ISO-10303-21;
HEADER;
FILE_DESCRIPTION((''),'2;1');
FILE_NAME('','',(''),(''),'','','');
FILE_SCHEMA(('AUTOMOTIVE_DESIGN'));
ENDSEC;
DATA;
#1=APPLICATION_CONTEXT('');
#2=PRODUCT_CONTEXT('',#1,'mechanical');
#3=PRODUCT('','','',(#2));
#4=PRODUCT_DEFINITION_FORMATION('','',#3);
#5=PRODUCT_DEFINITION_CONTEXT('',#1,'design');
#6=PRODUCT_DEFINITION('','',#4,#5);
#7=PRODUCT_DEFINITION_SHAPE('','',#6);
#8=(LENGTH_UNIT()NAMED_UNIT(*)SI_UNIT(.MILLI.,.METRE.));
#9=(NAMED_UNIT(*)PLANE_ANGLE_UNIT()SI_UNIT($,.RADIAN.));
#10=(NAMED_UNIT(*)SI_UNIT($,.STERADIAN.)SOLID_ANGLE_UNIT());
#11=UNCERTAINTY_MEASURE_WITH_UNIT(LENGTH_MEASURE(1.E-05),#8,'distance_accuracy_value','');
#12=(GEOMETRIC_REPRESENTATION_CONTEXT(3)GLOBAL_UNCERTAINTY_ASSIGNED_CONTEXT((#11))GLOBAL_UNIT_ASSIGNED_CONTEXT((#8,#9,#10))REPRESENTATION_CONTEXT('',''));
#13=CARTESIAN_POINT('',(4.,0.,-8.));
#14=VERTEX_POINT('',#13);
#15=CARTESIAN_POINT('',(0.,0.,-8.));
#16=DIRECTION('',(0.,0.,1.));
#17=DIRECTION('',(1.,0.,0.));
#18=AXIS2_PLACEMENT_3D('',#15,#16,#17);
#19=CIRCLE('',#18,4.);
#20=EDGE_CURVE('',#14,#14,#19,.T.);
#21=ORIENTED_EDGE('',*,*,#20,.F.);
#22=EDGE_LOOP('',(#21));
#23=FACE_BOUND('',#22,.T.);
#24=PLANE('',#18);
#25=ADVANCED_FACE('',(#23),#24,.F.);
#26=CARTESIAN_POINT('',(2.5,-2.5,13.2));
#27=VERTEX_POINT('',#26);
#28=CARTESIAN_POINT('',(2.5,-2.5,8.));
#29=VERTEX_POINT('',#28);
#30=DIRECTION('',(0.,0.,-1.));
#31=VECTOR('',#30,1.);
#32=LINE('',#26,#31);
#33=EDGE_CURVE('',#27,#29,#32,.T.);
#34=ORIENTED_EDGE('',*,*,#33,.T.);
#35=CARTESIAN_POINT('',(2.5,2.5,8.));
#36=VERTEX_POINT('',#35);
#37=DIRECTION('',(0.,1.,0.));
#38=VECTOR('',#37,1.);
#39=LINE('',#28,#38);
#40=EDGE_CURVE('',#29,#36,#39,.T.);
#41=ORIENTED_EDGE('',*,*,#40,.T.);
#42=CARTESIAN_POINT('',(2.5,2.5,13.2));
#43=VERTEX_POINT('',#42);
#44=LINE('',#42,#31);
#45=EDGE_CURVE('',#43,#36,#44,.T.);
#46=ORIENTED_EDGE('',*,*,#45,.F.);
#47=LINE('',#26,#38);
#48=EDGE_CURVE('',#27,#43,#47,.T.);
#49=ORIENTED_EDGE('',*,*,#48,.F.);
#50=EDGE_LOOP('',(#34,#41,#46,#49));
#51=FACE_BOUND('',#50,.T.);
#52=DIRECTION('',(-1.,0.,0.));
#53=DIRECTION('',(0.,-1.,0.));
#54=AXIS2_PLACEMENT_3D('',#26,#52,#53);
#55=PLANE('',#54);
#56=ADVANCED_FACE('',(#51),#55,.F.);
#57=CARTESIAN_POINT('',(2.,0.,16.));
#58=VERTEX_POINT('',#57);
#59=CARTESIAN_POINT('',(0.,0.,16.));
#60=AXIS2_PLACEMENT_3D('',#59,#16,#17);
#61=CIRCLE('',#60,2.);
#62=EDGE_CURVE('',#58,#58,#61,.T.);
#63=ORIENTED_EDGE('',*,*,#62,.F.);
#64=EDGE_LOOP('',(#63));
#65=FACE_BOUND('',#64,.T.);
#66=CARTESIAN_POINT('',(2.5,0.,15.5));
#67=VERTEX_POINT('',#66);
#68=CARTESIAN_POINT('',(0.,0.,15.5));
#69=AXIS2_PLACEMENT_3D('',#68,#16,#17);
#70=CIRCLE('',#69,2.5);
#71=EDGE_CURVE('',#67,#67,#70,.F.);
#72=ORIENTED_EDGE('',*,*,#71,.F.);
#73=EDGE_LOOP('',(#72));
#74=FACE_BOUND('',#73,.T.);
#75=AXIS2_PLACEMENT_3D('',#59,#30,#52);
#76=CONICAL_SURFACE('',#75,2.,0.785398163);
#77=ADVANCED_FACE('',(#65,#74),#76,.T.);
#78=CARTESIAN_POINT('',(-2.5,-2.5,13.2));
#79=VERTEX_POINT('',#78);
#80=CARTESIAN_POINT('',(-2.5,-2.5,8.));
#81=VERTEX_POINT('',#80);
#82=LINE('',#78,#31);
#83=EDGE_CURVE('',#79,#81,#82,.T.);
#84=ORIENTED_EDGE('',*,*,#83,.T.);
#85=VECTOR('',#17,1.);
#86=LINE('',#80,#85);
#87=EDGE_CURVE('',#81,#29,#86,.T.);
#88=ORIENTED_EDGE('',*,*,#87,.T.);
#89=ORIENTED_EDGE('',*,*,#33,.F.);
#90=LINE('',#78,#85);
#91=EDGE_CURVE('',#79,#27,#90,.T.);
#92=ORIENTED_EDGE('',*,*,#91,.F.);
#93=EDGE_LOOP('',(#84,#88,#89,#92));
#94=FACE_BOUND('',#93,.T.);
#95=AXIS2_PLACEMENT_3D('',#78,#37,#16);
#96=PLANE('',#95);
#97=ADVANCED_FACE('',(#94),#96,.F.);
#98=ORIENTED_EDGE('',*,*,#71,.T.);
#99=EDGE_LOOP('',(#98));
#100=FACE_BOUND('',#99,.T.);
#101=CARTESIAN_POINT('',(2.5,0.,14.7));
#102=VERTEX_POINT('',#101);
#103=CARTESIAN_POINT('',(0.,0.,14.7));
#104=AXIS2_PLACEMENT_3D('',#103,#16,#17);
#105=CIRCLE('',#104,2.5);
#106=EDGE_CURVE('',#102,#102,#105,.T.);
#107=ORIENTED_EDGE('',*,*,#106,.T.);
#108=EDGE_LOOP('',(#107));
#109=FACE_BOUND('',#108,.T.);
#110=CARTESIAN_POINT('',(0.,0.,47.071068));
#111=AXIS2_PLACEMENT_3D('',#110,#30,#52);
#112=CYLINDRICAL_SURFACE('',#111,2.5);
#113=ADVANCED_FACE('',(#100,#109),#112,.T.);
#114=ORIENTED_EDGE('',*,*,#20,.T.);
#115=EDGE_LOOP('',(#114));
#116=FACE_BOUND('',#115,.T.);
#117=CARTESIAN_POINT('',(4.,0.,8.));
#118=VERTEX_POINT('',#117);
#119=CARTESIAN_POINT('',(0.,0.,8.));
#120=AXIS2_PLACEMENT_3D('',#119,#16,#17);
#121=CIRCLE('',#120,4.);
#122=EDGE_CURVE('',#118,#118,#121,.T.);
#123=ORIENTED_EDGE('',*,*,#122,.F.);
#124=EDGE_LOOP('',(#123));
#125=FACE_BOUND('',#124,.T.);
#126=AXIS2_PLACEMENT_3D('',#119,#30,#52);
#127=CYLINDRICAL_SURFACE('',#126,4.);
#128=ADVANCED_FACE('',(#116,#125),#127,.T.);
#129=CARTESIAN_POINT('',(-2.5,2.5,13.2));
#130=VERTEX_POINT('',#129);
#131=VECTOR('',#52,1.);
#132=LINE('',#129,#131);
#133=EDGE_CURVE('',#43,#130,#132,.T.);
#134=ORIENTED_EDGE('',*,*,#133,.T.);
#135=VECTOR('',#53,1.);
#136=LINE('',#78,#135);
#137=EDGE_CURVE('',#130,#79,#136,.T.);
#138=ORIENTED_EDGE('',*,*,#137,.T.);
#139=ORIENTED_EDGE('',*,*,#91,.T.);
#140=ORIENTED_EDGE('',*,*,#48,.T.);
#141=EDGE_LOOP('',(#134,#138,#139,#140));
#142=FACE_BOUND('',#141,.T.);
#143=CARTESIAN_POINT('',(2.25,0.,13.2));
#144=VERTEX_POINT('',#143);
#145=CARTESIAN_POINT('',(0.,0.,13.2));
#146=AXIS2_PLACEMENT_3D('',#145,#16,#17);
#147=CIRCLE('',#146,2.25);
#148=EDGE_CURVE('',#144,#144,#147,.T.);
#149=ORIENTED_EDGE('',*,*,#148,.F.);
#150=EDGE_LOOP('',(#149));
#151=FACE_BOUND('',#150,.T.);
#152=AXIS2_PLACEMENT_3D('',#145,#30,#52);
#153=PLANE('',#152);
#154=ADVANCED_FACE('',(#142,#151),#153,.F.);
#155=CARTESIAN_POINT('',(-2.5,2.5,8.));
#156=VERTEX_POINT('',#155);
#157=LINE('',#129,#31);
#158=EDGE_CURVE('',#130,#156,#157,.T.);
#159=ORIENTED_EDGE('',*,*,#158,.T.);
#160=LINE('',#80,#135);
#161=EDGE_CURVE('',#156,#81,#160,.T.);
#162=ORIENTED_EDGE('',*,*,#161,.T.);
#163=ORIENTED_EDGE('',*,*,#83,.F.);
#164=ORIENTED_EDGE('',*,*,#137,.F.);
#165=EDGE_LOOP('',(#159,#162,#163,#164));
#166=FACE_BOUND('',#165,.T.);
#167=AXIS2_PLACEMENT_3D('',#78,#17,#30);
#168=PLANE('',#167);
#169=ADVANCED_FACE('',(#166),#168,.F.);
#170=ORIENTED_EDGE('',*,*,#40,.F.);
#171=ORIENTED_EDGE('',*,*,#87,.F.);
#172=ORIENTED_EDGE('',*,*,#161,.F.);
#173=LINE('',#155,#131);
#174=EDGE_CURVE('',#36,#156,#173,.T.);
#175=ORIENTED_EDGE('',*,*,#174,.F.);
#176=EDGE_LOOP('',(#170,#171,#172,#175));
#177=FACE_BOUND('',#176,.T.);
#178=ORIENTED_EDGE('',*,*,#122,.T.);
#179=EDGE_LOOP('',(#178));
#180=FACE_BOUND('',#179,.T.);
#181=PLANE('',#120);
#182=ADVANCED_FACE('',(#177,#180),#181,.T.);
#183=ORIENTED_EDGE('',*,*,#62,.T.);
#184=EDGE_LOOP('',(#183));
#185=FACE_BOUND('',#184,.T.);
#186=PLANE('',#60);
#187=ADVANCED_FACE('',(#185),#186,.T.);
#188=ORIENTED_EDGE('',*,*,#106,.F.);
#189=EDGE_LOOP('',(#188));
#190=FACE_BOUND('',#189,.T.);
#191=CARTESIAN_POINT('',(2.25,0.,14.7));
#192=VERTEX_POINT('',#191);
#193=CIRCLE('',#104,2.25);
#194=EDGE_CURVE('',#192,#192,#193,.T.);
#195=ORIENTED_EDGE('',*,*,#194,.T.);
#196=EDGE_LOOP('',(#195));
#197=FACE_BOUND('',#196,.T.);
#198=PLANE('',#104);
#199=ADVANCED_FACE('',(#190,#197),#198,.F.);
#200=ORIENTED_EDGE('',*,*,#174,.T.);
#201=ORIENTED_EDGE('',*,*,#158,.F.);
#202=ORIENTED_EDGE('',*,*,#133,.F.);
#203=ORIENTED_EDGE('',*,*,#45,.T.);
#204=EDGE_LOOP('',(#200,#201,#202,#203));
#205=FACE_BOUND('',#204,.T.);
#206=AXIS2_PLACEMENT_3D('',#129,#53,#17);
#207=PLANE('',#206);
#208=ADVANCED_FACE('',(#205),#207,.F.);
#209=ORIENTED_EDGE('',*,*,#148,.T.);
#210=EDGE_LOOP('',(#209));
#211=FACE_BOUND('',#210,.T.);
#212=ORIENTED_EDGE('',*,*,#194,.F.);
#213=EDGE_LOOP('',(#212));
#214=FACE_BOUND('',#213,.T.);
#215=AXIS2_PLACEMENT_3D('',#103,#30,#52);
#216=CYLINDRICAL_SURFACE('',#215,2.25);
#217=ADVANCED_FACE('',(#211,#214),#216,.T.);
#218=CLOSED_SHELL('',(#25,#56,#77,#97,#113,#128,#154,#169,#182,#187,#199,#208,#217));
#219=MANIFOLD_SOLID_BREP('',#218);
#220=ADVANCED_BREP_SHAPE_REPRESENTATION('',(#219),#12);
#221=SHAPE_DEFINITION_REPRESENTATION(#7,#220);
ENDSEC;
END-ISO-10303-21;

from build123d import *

# Parameters (mm, degrees)
SKETCH_1_R          = 4
EXTRUDE_1_DEPTH     = 8
SKETCH_2_W          = 5
SKETCH_2_H          = 5
EXTRUDE_2_DEPTH     = 5.2
SKETCH_3_R          = 2.5
EXTRUDE_3_DEPTH     = 2.8
SKETCH_4_OUTSIDE_W  = 15.306
SKETCH_4_OUTSIDE_H  = 15.306
SKETCH_4_OUTSIDE_R  = 2.25
CUT_EXTRUDE_1_DEPTH = 1.5
CHAMFER_1_SIZE      = 0.5


with BuildPart() as part:
    # 草图1 → 凸台-拉伸1 (new, symmetric)
    with BuildSketch(Plane.XY):
        Circle(SKETCH_1_R)
    extrude(amount=EXTRUDE_1_DEPTH, both=True)

    # 草图2 → 凸台-拉伸2 (add)
    with BuildSketch(Plane.XY.offset(8)):
        Rectangle(SKETCH_2_W, SKETCH_2_H)
    extrude(amount=EXTRUDE_2_DEPTH)

    # 草图3 → 凸台-拉伸3 (add)
    with BuildSketch(Plane.XY.offset(13.2)):
        Circle(SKETCH_3_R)
    extrude(amount=EXTRUDE_3_DEPTH)

    # 草图4 outside → 切除-拉伸1 (cut)
    with BuildSketch(Plane.XY.offset(13.2)):
        Rectangle(SKETCH_4_OUTSIDE_W, SKETCH_4_OUTSIDE_H)
        Circle(SKETCH_4_OUTSIDE_R, mode=Mode.SUBTRACT)
    extrude(amount=CUT_EXTRUDE_1_DEPTH, mode=Mode.SUBTRACT)

    # 倒角1
    chamfer_1_edges = [part.edges().sort_by_distance(p)[0] for p in [
        (-2.5, 0, 16),
    ]]
    chamfer(chamfer_1_edges, length=CHAMFER_1_SIZE)


solid = part.part
